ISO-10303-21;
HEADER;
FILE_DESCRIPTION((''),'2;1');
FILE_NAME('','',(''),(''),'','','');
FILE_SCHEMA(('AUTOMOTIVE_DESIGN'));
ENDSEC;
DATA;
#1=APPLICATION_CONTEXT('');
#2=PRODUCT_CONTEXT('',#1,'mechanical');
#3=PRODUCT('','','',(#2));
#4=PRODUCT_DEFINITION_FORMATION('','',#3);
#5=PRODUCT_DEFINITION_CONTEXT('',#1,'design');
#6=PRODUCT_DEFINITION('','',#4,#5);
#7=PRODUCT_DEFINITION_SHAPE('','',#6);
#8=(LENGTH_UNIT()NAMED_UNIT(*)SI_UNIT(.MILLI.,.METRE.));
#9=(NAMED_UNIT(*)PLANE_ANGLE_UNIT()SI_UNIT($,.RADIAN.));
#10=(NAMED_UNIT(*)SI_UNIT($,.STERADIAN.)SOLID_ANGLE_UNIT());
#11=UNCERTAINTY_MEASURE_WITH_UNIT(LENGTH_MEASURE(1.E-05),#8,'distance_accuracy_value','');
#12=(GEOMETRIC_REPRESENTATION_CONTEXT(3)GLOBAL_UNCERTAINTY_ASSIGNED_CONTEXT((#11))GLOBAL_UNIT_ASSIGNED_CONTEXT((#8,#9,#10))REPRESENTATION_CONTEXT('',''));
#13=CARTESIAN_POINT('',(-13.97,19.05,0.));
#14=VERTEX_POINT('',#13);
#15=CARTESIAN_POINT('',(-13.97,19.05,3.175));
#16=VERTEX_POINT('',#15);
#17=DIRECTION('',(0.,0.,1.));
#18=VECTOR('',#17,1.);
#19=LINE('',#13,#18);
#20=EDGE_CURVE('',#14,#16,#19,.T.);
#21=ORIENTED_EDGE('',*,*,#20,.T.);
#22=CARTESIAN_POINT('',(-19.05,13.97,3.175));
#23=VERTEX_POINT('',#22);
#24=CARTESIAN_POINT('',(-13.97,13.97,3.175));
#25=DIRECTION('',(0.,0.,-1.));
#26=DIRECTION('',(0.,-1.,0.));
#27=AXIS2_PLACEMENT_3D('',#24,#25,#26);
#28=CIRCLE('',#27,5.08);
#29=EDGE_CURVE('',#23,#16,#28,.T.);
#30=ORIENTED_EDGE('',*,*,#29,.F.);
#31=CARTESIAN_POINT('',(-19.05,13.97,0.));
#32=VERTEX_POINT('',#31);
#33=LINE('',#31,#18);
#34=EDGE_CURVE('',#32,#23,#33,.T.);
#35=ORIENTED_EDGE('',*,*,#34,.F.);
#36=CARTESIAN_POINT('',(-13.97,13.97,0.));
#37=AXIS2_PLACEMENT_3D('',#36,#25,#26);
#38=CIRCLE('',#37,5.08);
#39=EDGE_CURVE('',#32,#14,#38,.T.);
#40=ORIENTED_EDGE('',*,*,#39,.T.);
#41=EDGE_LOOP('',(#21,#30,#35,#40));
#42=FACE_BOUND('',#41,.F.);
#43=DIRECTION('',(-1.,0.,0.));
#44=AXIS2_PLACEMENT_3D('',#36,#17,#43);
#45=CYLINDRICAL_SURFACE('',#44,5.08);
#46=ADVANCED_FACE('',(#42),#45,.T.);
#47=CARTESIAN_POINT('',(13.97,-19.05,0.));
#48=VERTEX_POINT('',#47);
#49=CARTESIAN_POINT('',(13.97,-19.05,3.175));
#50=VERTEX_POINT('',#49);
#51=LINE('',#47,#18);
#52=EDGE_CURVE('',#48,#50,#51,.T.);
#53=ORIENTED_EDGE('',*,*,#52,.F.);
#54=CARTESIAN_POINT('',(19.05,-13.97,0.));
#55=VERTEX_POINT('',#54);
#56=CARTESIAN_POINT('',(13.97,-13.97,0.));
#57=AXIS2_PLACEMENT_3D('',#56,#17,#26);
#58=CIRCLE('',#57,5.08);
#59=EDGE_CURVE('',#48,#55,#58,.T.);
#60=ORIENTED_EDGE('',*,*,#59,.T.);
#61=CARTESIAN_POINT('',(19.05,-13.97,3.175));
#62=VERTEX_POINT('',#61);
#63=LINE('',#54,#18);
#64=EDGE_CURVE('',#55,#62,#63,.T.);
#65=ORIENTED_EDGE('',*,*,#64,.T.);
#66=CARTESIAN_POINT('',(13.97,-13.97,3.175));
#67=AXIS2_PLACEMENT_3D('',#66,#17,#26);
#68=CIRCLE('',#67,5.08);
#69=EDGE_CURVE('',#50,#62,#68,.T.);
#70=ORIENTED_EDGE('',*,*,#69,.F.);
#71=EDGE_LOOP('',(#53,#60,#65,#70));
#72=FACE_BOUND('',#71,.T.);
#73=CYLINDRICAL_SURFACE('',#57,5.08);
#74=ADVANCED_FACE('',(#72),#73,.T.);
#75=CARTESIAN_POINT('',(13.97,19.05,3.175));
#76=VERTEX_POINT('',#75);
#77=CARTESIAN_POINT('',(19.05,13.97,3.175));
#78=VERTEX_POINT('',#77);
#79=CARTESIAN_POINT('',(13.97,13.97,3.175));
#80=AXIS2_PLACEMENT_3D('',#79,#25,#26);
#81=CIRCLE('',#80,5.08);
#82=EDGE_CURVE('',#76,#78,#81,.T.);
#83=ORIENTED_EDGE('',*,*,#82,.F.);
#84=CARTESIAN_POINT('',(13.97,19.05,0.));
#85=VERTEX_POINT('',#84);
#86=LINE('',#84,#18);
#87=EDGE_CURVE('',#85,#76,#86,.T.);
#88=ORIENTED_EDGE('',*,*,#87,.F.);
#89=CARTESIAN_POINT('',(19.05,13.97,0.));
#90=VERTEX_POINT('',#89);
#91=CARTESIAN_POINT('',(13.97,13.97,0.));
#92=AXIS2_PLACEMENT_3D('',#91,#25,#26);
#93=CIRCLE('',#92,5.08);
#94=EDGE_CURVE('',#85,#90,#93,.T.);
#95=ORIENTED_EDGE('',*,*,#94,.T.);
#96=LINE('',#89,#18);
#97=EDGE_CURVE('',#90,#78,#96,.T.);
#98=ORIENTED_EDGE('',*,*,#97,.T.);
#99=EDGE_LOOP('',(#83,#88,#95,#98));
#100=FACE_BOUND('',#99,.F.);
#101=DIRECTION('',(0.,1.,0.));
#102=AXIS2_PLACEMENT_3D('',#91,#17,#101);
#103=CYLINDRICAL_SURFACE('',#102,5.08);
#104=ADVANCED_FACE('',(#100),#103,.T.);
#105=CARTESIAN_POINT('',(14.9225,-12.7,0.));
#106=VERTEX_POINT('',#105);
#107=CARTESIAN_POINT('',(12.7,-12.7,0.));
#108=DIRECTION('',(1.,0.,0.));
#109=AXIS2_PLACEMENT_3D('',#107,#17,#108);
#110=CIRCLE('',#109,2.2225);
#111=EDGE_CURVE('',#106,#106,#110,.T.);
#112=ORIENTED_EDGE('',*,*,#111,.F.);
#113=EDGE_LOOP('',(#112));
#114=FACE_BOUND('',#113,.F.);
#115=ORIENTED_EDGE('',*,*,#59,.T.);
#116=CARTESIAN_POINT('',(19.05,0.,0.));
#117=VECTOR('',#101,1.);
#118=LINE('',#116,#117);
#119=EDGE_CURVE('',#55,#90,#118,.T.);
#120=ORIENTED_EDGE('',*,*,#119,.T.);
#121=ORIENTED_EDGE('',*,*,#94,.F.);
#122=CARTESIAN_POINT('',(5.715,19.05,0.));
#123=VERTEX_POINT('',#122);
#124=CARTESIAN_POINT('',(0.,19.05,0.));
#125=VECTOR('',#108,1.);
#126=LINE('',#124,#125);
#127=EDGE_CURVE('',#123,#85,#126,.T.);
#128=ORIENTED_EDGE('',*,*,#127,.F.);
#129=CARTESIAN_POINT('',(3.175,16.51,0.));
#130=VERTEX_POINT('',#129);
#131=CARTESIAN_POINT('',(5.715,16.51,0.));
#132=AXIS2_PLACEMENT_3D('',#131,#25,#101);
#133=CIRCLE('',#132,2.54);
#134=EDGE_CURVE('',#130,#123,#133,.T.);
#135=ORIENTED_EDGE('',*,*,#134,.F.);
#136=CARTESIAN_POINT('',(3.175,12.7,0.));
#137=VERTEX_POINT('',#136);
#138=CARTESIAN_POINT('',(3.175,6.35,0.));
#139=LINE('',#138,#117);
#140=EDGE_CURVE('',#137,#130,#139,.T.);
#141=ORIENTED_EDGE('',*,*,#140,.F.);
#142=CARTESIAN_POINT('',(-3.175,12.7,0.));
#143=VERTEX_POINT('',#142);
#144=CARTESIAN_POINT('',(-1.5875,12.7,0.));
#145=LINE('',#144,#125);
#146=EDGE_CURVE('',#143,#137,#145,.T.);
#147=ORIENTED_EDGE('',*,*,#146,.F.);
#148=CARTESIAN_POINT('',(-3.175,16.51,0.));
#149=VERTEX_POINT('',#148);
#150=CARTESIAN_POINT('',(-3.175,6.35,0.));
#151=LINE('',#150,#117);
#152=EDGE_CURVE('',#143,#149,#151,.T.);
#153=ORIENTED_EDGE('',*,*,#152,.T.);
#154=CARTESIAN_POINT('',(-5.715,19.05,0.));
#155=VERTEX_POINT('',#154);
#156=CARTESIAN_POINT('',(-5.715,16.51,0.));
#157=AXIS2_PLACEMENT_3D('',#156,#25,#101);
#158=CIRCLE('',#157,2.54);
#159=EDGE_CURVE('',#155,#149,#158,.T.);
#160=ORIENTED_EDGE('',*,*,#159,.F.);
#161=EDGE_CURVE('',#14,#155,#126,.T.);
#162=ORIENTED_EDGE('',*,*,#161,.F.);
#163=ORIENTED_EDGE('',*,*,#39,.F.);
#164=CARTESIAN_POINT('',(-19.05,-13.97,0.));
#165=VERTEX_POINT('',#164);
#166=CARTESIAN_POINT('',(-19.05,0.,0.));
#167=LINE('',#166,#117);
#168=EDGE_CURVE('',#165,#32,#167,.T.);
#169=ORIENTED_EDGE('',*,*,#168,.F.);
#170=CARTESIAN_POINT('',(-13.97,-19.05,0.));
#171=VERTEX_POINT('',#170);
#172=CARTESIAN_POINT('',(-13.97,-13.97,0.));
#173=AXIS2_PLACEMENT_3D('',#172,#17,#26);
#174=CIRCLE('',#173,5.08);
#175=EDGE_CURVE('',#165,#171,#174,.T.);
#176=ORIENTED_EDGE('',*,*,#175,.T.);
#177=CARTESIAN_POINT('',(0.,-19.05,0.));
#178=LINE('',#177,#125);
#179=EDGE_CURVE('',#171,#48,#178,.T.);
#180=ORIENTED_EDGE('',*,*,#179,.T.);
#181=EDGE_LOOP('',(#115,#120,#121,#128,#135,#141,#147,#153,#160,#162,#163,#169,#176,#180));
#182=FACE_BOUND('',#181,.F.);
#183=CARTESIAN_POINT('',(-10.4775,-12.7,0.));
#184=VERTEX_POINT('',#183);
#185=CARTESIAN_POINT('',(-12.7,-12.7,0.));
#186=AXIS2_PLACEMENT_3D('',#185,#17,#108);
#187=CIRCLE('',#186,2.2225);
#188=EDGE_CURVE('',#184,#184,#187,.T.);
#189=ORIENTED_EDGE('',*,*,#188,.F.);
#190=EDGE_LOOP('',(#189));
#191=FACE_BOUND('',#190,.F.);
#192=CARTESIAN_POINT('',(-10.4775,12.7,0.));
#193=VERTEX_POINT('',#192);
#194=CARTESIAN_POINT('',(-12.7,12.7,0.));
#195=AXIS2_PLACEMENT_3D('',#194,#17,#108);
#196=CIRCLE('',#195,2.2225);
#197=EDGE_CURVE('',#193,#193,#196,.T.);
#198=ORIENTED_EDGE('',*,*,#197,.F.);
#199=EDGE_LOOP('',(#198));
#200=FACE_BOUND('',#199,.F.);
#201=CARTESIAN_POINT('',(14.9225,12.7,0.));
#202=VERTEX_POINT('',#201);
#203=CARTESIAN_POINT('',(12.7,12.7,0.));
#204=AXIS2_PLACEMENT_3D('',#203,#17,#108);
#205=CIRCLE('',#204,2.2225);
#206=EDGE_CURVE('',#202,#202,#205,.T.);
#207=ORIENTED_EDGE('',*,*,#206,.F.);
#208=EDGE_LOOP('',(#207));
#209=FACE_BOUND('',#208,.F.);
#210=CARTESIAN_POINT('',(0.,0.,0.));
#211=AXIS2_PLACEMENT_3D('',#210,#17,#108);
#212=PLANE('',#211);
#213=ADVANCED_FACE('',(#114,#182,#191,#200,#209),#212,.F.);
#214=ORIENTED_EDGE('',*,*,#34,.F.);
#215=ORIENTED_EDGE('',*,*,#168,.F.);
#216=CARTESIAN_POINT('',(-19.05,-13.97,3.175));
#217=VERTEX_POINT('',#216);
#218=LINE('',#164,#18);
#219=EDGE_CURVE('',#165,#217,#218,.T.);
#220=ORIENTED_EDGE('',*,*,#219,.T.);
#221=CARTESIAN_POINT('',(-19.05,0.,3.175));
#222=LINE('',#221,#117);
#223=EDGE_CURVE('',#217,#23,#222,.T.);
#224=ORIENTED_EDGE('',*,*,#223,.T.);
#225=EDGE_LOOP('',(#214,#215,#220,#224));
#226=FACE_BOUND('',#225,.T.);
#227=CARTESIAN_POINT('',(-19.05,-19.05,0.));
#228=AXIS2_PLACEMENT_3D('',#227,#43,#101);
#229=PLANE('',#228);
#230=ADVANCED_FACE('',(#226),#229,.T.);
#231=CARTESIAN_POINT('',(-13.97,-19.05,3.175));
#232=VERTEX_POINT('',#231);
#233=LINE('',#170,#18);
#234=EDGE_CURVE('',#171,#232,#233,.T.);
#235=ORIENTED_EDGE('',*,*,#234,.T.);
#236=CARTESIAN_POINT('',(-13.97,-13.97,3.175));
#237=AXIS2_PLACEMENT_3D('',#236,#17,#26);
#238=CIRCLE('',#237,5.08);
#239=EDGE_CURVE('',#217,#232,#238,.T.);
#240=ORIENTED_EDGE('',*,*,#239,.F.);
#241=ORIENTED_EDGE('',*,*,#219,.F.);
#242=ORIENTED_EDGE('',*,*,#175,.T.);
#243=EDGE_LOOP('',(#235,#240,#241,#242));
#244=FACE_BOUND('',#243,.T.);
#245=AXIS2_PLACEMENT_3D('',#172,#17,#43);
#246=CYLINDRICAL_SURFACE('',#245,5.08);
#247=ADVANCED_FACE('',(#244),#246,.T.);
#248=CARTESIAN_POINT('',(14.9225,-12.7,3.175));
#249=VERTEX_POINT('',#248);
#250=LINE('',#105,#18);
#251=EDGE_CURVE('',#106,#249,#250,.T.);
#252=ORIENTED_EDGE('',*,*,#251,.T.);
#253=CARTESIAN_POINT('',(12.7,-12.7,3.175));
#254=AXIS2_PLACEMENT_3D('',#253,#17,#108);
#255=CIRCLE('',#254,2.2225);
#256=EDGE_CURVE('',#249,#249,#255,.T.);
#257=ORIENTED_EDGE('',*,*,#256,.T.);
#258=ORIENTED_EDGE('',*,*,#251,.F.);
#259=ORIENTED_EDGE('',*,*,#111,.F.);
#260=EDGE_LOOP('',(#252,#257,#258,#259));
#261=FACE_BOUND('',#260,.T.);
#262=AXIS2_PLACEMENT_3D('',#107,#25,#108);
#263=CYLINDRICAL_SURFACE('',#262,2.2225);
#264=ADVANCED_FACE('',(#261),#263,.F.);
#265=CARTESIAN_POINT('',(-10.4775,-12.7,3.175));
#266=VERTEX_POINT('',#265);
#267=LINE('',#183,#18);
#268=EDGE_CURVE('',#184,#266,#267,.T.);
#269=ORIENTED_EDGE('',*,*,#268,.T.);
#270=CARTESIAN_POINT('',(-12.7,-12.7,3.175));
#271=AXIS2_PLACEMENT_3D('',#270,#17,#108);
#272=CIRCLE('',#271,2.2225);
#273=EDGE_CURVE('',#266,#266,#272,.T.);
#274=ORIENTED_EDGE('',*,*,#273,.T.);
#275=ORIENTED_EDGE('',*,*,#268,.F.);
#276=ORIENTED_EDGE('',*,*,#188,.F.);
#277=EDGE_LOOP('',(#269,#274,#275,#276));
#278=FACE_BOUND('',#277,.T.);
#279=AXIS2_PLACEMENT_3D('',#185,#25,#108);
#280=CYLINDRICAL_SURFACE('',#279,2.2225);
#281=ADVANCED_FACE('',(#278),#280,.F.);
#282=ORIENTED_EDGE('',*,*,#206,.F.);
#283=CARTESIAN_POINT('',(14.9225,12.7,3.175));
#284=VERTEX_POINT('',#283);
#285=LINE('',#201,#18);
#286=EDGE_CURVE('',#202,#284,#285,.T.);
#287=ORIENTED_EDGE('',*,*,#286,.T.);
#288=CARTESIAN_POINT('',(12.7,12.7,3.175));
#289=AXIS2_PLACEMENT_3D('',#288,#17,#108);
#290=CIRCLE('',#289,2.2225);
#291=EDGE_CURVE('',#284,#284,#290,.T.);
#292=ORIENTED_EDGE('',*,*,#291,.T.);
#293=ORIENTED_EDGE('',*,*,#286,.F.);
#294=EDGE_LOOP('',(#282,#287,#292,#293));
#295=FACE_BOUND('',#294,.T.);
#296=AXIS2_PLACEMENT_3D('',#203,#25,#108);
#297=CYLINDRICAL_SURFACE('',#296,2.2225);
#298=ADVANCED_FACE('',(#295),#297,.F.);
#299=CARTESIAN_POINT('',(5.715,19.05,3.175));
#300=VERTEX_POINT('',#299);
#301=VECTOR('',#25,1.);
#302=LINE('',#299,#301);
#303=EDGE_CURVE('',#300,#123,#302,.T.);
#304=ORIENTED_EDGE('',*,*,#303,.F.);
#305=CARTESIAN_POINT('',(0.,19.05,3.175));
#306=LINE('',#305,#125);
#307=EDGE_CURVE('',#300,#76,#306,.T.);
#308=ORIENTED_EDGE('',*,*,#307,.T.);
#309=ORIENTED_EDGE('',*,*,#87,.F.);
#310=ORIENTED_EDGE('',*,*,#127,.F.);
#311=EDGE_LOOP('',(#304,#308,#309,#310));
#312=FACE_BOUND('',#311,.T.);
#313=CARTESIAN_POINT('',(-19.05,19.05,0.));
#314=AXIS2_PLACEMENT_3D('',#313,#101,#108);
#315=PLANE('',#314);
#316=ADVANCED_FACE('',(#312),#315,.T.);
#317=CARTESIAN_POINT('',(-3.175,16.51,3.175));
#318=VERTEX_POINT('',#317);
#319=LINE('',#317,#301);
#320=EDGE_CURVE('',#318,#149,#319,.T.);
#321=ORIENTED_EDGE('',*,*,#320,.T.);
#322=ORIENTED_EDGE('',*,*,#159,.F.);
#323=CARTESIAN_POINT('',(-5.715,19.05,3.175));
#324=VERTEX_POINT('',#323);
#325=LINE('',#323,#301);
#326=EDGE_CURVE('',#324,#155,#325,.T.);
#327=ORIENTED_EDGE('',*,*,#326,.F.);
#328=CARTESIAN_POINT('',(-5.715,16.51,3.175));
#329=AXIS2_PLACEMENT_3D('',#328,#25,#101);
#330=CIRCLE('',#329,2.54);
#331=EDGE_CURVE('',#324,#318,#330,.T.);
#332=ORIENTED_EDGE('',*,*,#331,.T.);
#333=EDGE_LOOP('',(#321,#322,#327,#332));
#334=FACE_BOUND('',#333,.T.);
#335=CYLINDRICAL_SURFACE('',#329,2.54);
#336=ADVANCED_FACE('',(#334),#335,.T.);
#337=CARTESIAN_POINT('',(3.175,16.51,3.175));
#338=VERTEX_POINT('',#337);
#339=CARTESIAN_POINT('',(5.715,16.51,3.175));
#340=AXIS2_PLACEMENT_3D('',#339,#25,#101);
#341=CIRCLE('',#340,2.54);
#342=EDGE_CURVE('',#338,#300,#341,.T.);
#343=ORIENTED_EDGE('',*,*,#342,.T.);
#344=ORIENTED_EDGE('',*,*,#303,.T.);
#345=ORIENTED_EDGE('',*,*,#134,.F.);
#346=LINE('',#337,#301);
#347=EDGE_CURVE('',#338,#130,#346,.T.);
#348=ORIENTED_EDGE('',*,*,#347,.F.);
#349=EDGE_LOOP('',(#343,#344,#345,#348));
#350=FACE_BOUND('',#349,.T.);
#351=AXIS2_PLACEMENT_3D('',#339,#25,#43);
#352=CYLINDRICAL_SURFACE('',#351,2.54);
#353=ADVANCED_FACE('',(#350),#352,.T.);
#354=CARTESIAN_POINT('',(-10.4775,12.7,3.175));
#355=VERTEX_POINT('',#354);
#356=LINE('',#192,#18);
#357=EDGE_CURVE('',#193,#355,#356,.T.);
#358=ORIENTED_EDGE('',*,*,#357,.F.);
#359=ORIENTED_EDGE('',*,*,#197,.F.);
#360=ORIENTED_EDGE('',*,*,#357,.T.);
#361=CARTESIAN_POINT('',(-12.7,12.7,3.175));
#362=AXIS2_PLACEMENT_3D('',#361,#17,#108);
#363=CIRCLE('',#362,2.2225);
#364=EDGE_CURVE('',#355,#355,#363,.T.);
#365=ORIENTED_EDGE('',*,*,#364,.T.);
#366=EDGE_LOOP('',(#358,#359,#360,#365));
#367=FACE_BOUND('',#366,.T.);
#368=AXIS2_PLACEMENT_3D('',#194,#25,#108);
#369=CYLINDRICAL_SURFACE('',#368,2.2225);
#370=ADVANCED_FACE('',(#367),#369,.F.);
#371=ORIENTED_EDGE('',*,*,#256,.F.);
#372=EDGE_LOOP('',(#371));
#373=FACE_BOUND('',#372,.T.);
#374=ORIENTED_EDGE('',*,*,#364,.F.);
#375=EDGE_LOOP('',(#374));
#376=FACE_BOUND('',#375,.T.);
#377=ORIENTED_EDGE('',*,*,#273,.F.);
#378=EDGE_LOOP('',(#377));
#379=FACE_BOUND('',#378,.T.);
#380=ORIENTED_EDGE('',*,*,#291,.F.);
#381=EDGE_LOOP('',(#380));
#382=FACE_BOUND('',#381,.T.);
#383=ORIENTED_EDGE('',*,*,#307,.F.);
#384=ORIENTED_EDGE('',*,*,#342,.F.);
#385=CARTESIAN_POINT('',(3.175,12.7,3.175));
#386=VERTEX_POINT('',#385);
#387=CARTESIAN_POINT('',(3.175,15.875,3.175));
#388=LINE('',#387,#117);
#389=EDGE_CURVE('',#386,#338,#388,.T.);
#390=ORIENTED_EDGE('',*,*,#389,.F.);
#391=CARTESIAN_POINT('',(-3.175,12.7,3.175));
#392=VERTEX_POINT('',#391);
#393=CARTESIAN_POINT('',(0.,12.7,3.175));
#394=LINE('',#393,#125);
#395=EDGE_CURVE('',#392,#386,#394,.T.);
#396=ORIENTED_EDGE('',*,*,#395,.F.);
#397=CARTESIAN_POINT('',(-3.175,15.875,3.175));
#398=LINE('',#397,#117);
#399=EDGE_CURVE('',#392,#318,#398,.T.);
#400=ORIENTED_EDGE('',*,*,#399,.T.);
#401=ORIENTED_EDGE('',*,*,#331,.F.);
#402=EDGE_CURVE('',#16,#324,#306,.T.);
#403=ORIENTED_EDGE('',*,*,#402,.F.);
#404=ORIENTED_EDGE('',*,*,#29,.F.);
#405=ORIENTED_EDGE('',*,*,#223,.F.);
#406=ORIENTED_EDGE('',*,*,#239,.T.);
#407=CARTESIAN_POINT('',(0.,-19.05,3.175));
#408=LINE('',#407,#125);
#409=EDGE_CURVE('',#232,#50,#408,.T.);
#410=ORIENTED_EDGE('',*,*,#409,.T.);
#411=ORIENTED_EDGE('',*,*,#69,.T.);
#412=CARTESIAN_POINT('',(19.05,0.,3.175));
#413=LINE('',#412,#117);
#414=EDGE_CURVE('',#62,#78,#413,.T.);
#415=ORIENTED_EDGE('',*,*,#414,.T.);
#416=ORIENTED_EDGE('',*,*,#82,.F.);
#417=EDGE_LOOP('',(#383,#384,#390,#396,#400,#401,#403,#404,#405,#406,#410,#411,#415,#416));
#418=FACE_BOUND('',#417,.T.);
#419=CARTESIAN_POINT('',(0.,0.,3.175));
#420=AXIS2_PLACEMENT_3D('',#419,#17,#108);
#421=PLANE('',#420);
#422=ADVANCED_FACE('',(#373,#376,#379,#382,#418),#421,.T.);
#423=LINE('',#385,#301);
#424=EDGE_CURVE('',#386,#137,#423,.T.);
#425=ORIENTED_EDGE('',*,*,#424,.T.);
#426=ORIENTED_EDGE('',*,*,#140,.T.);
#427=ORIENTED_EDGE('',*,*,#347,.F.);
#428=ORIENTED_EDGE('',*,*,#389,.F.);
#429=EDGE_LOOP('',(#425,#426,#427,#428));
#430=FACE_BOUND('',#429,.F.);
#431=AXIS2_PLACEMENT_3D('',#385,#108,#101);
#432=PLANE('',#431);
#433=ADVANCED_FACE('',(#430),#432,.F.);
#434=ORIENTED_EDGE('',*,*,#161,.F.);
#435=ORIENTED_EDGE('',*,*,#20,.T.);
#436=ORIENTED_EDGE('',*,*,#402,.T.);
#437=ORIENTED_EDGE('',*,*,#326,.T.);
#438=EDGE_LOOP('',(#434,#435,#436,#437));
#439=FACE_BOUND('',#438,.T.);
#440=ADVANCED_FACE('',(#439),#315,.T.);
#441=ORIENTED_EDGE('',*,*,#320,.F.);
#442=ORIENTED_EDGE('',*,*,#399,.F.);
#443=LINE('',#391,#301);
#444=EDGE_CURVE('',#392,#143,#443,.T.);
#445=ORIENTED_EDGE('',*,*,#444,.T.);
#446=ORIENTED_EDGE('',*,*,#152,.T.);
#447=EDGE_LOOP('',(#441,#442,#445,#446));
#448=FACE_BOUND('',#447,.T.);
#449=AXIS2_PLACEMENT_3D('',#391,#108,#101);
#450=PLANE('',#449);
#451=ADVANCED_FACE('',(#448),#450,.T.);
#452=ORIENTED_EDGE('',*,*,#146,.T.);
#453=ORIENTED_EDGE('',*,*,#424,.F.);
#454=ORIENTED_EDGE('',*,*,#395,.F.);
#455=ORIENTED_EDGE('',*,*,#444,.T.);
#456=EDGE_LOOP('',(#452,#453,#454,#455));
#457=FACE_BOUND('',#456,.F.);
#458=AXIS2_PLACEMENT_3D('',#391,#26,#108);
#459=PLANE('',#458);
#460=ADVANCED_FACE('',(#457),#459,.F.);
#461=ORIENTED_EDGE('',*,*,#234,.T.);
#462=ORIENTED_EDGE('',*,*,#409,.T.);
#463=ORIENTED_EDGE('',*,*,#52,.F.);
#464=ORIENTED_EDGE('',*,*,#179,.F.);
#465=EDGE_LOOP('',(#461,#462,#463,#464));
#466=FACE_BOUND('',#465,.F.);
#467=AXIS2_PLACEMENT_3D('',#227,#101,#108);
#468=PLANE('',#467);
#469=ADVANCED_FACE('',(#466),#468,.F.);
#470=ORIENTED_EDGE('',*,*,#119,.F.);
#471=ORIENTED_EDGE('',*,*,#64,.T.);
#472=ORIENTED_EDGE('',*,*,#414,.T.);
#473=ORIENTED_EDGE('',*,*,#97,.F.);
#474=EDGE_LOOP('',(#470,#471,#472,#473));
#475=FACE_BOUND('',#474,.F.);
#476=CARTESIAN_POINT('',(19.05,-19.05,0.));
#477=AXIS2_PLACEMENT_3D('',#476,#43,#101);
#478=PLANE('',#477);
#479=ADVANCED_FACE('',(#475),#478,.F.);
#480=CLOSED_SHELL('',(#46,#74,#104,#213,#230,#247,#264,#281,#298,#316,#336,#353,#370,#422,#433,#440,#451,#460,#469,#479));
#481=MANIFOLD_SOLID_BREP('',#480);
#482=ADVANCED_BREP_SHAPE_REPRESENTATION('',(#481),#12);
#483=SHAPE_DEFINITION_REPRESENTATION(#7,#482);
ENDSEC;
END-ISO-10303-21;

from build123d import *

# Parameters (mm, degrees)
F0_W     = 38.1
F0_H     = 38.1
F0_R     = 2.2225
F1_DEPTH = 3.175
F2_R     = 5.08
F3_W     = 6.35
F3_H     = 6.35
F4_DEPTH = 25.4
F5_R     = 2.54


with BuildPart() as f1:
    # F0 (on Top) → F1 (new body)
    with BuildSketch(Plane.XY):
        Rectangle(F0_W, F0_H)
        with Locations((-12.7, -12.7)):
            Circle(F0_R, mode=Mode.SUBTRACT)
        with Locations((12.7, -12.7)):
            Circle(F0_R, mode=Mode.SUBTRACT)
        with Locations((-12.7, 12.7)):
            Circle(F0_R, mode=Mode.SUBTRACT)
        with Locations((12.7, 12.7)):
            Circle(F0_R, mode=Mode.SUBTRACT)
    extrude(amount=F1_DEPTH)

    # F2
    f2_edges = [f1.edges().sort_by_distance(p)[0] for p in [
        (19.05, -19.05, 1.5875),
        (19.05, 19.05, 1.5875),
        (-19.05, -19.05, 1.5875),
        (-19.05, 19.05, 1.5875),
    ]]
    fillet(f2_edges, radius=F2_R)

    # F3 (on face) → F4 (cut)
    with BuildSketch(Plane.XY.offset(3.175)):
        with Locations((0, 15.875)):
            Rectangle(F3_W, F3_H)
    extrude(amount=-F4_DEPTH, mode=Mode.SUBTRACT)

    # F5
    f5_edges = [f1.edges().sort_by_distance(p)[0] for p in [
        (-3.175, 19.05, 1.5875),
        (3.175, 19.05, 1.5875),
    ]]
    fillet(f5_edges, radius=F5_R)


solid = f1.part
